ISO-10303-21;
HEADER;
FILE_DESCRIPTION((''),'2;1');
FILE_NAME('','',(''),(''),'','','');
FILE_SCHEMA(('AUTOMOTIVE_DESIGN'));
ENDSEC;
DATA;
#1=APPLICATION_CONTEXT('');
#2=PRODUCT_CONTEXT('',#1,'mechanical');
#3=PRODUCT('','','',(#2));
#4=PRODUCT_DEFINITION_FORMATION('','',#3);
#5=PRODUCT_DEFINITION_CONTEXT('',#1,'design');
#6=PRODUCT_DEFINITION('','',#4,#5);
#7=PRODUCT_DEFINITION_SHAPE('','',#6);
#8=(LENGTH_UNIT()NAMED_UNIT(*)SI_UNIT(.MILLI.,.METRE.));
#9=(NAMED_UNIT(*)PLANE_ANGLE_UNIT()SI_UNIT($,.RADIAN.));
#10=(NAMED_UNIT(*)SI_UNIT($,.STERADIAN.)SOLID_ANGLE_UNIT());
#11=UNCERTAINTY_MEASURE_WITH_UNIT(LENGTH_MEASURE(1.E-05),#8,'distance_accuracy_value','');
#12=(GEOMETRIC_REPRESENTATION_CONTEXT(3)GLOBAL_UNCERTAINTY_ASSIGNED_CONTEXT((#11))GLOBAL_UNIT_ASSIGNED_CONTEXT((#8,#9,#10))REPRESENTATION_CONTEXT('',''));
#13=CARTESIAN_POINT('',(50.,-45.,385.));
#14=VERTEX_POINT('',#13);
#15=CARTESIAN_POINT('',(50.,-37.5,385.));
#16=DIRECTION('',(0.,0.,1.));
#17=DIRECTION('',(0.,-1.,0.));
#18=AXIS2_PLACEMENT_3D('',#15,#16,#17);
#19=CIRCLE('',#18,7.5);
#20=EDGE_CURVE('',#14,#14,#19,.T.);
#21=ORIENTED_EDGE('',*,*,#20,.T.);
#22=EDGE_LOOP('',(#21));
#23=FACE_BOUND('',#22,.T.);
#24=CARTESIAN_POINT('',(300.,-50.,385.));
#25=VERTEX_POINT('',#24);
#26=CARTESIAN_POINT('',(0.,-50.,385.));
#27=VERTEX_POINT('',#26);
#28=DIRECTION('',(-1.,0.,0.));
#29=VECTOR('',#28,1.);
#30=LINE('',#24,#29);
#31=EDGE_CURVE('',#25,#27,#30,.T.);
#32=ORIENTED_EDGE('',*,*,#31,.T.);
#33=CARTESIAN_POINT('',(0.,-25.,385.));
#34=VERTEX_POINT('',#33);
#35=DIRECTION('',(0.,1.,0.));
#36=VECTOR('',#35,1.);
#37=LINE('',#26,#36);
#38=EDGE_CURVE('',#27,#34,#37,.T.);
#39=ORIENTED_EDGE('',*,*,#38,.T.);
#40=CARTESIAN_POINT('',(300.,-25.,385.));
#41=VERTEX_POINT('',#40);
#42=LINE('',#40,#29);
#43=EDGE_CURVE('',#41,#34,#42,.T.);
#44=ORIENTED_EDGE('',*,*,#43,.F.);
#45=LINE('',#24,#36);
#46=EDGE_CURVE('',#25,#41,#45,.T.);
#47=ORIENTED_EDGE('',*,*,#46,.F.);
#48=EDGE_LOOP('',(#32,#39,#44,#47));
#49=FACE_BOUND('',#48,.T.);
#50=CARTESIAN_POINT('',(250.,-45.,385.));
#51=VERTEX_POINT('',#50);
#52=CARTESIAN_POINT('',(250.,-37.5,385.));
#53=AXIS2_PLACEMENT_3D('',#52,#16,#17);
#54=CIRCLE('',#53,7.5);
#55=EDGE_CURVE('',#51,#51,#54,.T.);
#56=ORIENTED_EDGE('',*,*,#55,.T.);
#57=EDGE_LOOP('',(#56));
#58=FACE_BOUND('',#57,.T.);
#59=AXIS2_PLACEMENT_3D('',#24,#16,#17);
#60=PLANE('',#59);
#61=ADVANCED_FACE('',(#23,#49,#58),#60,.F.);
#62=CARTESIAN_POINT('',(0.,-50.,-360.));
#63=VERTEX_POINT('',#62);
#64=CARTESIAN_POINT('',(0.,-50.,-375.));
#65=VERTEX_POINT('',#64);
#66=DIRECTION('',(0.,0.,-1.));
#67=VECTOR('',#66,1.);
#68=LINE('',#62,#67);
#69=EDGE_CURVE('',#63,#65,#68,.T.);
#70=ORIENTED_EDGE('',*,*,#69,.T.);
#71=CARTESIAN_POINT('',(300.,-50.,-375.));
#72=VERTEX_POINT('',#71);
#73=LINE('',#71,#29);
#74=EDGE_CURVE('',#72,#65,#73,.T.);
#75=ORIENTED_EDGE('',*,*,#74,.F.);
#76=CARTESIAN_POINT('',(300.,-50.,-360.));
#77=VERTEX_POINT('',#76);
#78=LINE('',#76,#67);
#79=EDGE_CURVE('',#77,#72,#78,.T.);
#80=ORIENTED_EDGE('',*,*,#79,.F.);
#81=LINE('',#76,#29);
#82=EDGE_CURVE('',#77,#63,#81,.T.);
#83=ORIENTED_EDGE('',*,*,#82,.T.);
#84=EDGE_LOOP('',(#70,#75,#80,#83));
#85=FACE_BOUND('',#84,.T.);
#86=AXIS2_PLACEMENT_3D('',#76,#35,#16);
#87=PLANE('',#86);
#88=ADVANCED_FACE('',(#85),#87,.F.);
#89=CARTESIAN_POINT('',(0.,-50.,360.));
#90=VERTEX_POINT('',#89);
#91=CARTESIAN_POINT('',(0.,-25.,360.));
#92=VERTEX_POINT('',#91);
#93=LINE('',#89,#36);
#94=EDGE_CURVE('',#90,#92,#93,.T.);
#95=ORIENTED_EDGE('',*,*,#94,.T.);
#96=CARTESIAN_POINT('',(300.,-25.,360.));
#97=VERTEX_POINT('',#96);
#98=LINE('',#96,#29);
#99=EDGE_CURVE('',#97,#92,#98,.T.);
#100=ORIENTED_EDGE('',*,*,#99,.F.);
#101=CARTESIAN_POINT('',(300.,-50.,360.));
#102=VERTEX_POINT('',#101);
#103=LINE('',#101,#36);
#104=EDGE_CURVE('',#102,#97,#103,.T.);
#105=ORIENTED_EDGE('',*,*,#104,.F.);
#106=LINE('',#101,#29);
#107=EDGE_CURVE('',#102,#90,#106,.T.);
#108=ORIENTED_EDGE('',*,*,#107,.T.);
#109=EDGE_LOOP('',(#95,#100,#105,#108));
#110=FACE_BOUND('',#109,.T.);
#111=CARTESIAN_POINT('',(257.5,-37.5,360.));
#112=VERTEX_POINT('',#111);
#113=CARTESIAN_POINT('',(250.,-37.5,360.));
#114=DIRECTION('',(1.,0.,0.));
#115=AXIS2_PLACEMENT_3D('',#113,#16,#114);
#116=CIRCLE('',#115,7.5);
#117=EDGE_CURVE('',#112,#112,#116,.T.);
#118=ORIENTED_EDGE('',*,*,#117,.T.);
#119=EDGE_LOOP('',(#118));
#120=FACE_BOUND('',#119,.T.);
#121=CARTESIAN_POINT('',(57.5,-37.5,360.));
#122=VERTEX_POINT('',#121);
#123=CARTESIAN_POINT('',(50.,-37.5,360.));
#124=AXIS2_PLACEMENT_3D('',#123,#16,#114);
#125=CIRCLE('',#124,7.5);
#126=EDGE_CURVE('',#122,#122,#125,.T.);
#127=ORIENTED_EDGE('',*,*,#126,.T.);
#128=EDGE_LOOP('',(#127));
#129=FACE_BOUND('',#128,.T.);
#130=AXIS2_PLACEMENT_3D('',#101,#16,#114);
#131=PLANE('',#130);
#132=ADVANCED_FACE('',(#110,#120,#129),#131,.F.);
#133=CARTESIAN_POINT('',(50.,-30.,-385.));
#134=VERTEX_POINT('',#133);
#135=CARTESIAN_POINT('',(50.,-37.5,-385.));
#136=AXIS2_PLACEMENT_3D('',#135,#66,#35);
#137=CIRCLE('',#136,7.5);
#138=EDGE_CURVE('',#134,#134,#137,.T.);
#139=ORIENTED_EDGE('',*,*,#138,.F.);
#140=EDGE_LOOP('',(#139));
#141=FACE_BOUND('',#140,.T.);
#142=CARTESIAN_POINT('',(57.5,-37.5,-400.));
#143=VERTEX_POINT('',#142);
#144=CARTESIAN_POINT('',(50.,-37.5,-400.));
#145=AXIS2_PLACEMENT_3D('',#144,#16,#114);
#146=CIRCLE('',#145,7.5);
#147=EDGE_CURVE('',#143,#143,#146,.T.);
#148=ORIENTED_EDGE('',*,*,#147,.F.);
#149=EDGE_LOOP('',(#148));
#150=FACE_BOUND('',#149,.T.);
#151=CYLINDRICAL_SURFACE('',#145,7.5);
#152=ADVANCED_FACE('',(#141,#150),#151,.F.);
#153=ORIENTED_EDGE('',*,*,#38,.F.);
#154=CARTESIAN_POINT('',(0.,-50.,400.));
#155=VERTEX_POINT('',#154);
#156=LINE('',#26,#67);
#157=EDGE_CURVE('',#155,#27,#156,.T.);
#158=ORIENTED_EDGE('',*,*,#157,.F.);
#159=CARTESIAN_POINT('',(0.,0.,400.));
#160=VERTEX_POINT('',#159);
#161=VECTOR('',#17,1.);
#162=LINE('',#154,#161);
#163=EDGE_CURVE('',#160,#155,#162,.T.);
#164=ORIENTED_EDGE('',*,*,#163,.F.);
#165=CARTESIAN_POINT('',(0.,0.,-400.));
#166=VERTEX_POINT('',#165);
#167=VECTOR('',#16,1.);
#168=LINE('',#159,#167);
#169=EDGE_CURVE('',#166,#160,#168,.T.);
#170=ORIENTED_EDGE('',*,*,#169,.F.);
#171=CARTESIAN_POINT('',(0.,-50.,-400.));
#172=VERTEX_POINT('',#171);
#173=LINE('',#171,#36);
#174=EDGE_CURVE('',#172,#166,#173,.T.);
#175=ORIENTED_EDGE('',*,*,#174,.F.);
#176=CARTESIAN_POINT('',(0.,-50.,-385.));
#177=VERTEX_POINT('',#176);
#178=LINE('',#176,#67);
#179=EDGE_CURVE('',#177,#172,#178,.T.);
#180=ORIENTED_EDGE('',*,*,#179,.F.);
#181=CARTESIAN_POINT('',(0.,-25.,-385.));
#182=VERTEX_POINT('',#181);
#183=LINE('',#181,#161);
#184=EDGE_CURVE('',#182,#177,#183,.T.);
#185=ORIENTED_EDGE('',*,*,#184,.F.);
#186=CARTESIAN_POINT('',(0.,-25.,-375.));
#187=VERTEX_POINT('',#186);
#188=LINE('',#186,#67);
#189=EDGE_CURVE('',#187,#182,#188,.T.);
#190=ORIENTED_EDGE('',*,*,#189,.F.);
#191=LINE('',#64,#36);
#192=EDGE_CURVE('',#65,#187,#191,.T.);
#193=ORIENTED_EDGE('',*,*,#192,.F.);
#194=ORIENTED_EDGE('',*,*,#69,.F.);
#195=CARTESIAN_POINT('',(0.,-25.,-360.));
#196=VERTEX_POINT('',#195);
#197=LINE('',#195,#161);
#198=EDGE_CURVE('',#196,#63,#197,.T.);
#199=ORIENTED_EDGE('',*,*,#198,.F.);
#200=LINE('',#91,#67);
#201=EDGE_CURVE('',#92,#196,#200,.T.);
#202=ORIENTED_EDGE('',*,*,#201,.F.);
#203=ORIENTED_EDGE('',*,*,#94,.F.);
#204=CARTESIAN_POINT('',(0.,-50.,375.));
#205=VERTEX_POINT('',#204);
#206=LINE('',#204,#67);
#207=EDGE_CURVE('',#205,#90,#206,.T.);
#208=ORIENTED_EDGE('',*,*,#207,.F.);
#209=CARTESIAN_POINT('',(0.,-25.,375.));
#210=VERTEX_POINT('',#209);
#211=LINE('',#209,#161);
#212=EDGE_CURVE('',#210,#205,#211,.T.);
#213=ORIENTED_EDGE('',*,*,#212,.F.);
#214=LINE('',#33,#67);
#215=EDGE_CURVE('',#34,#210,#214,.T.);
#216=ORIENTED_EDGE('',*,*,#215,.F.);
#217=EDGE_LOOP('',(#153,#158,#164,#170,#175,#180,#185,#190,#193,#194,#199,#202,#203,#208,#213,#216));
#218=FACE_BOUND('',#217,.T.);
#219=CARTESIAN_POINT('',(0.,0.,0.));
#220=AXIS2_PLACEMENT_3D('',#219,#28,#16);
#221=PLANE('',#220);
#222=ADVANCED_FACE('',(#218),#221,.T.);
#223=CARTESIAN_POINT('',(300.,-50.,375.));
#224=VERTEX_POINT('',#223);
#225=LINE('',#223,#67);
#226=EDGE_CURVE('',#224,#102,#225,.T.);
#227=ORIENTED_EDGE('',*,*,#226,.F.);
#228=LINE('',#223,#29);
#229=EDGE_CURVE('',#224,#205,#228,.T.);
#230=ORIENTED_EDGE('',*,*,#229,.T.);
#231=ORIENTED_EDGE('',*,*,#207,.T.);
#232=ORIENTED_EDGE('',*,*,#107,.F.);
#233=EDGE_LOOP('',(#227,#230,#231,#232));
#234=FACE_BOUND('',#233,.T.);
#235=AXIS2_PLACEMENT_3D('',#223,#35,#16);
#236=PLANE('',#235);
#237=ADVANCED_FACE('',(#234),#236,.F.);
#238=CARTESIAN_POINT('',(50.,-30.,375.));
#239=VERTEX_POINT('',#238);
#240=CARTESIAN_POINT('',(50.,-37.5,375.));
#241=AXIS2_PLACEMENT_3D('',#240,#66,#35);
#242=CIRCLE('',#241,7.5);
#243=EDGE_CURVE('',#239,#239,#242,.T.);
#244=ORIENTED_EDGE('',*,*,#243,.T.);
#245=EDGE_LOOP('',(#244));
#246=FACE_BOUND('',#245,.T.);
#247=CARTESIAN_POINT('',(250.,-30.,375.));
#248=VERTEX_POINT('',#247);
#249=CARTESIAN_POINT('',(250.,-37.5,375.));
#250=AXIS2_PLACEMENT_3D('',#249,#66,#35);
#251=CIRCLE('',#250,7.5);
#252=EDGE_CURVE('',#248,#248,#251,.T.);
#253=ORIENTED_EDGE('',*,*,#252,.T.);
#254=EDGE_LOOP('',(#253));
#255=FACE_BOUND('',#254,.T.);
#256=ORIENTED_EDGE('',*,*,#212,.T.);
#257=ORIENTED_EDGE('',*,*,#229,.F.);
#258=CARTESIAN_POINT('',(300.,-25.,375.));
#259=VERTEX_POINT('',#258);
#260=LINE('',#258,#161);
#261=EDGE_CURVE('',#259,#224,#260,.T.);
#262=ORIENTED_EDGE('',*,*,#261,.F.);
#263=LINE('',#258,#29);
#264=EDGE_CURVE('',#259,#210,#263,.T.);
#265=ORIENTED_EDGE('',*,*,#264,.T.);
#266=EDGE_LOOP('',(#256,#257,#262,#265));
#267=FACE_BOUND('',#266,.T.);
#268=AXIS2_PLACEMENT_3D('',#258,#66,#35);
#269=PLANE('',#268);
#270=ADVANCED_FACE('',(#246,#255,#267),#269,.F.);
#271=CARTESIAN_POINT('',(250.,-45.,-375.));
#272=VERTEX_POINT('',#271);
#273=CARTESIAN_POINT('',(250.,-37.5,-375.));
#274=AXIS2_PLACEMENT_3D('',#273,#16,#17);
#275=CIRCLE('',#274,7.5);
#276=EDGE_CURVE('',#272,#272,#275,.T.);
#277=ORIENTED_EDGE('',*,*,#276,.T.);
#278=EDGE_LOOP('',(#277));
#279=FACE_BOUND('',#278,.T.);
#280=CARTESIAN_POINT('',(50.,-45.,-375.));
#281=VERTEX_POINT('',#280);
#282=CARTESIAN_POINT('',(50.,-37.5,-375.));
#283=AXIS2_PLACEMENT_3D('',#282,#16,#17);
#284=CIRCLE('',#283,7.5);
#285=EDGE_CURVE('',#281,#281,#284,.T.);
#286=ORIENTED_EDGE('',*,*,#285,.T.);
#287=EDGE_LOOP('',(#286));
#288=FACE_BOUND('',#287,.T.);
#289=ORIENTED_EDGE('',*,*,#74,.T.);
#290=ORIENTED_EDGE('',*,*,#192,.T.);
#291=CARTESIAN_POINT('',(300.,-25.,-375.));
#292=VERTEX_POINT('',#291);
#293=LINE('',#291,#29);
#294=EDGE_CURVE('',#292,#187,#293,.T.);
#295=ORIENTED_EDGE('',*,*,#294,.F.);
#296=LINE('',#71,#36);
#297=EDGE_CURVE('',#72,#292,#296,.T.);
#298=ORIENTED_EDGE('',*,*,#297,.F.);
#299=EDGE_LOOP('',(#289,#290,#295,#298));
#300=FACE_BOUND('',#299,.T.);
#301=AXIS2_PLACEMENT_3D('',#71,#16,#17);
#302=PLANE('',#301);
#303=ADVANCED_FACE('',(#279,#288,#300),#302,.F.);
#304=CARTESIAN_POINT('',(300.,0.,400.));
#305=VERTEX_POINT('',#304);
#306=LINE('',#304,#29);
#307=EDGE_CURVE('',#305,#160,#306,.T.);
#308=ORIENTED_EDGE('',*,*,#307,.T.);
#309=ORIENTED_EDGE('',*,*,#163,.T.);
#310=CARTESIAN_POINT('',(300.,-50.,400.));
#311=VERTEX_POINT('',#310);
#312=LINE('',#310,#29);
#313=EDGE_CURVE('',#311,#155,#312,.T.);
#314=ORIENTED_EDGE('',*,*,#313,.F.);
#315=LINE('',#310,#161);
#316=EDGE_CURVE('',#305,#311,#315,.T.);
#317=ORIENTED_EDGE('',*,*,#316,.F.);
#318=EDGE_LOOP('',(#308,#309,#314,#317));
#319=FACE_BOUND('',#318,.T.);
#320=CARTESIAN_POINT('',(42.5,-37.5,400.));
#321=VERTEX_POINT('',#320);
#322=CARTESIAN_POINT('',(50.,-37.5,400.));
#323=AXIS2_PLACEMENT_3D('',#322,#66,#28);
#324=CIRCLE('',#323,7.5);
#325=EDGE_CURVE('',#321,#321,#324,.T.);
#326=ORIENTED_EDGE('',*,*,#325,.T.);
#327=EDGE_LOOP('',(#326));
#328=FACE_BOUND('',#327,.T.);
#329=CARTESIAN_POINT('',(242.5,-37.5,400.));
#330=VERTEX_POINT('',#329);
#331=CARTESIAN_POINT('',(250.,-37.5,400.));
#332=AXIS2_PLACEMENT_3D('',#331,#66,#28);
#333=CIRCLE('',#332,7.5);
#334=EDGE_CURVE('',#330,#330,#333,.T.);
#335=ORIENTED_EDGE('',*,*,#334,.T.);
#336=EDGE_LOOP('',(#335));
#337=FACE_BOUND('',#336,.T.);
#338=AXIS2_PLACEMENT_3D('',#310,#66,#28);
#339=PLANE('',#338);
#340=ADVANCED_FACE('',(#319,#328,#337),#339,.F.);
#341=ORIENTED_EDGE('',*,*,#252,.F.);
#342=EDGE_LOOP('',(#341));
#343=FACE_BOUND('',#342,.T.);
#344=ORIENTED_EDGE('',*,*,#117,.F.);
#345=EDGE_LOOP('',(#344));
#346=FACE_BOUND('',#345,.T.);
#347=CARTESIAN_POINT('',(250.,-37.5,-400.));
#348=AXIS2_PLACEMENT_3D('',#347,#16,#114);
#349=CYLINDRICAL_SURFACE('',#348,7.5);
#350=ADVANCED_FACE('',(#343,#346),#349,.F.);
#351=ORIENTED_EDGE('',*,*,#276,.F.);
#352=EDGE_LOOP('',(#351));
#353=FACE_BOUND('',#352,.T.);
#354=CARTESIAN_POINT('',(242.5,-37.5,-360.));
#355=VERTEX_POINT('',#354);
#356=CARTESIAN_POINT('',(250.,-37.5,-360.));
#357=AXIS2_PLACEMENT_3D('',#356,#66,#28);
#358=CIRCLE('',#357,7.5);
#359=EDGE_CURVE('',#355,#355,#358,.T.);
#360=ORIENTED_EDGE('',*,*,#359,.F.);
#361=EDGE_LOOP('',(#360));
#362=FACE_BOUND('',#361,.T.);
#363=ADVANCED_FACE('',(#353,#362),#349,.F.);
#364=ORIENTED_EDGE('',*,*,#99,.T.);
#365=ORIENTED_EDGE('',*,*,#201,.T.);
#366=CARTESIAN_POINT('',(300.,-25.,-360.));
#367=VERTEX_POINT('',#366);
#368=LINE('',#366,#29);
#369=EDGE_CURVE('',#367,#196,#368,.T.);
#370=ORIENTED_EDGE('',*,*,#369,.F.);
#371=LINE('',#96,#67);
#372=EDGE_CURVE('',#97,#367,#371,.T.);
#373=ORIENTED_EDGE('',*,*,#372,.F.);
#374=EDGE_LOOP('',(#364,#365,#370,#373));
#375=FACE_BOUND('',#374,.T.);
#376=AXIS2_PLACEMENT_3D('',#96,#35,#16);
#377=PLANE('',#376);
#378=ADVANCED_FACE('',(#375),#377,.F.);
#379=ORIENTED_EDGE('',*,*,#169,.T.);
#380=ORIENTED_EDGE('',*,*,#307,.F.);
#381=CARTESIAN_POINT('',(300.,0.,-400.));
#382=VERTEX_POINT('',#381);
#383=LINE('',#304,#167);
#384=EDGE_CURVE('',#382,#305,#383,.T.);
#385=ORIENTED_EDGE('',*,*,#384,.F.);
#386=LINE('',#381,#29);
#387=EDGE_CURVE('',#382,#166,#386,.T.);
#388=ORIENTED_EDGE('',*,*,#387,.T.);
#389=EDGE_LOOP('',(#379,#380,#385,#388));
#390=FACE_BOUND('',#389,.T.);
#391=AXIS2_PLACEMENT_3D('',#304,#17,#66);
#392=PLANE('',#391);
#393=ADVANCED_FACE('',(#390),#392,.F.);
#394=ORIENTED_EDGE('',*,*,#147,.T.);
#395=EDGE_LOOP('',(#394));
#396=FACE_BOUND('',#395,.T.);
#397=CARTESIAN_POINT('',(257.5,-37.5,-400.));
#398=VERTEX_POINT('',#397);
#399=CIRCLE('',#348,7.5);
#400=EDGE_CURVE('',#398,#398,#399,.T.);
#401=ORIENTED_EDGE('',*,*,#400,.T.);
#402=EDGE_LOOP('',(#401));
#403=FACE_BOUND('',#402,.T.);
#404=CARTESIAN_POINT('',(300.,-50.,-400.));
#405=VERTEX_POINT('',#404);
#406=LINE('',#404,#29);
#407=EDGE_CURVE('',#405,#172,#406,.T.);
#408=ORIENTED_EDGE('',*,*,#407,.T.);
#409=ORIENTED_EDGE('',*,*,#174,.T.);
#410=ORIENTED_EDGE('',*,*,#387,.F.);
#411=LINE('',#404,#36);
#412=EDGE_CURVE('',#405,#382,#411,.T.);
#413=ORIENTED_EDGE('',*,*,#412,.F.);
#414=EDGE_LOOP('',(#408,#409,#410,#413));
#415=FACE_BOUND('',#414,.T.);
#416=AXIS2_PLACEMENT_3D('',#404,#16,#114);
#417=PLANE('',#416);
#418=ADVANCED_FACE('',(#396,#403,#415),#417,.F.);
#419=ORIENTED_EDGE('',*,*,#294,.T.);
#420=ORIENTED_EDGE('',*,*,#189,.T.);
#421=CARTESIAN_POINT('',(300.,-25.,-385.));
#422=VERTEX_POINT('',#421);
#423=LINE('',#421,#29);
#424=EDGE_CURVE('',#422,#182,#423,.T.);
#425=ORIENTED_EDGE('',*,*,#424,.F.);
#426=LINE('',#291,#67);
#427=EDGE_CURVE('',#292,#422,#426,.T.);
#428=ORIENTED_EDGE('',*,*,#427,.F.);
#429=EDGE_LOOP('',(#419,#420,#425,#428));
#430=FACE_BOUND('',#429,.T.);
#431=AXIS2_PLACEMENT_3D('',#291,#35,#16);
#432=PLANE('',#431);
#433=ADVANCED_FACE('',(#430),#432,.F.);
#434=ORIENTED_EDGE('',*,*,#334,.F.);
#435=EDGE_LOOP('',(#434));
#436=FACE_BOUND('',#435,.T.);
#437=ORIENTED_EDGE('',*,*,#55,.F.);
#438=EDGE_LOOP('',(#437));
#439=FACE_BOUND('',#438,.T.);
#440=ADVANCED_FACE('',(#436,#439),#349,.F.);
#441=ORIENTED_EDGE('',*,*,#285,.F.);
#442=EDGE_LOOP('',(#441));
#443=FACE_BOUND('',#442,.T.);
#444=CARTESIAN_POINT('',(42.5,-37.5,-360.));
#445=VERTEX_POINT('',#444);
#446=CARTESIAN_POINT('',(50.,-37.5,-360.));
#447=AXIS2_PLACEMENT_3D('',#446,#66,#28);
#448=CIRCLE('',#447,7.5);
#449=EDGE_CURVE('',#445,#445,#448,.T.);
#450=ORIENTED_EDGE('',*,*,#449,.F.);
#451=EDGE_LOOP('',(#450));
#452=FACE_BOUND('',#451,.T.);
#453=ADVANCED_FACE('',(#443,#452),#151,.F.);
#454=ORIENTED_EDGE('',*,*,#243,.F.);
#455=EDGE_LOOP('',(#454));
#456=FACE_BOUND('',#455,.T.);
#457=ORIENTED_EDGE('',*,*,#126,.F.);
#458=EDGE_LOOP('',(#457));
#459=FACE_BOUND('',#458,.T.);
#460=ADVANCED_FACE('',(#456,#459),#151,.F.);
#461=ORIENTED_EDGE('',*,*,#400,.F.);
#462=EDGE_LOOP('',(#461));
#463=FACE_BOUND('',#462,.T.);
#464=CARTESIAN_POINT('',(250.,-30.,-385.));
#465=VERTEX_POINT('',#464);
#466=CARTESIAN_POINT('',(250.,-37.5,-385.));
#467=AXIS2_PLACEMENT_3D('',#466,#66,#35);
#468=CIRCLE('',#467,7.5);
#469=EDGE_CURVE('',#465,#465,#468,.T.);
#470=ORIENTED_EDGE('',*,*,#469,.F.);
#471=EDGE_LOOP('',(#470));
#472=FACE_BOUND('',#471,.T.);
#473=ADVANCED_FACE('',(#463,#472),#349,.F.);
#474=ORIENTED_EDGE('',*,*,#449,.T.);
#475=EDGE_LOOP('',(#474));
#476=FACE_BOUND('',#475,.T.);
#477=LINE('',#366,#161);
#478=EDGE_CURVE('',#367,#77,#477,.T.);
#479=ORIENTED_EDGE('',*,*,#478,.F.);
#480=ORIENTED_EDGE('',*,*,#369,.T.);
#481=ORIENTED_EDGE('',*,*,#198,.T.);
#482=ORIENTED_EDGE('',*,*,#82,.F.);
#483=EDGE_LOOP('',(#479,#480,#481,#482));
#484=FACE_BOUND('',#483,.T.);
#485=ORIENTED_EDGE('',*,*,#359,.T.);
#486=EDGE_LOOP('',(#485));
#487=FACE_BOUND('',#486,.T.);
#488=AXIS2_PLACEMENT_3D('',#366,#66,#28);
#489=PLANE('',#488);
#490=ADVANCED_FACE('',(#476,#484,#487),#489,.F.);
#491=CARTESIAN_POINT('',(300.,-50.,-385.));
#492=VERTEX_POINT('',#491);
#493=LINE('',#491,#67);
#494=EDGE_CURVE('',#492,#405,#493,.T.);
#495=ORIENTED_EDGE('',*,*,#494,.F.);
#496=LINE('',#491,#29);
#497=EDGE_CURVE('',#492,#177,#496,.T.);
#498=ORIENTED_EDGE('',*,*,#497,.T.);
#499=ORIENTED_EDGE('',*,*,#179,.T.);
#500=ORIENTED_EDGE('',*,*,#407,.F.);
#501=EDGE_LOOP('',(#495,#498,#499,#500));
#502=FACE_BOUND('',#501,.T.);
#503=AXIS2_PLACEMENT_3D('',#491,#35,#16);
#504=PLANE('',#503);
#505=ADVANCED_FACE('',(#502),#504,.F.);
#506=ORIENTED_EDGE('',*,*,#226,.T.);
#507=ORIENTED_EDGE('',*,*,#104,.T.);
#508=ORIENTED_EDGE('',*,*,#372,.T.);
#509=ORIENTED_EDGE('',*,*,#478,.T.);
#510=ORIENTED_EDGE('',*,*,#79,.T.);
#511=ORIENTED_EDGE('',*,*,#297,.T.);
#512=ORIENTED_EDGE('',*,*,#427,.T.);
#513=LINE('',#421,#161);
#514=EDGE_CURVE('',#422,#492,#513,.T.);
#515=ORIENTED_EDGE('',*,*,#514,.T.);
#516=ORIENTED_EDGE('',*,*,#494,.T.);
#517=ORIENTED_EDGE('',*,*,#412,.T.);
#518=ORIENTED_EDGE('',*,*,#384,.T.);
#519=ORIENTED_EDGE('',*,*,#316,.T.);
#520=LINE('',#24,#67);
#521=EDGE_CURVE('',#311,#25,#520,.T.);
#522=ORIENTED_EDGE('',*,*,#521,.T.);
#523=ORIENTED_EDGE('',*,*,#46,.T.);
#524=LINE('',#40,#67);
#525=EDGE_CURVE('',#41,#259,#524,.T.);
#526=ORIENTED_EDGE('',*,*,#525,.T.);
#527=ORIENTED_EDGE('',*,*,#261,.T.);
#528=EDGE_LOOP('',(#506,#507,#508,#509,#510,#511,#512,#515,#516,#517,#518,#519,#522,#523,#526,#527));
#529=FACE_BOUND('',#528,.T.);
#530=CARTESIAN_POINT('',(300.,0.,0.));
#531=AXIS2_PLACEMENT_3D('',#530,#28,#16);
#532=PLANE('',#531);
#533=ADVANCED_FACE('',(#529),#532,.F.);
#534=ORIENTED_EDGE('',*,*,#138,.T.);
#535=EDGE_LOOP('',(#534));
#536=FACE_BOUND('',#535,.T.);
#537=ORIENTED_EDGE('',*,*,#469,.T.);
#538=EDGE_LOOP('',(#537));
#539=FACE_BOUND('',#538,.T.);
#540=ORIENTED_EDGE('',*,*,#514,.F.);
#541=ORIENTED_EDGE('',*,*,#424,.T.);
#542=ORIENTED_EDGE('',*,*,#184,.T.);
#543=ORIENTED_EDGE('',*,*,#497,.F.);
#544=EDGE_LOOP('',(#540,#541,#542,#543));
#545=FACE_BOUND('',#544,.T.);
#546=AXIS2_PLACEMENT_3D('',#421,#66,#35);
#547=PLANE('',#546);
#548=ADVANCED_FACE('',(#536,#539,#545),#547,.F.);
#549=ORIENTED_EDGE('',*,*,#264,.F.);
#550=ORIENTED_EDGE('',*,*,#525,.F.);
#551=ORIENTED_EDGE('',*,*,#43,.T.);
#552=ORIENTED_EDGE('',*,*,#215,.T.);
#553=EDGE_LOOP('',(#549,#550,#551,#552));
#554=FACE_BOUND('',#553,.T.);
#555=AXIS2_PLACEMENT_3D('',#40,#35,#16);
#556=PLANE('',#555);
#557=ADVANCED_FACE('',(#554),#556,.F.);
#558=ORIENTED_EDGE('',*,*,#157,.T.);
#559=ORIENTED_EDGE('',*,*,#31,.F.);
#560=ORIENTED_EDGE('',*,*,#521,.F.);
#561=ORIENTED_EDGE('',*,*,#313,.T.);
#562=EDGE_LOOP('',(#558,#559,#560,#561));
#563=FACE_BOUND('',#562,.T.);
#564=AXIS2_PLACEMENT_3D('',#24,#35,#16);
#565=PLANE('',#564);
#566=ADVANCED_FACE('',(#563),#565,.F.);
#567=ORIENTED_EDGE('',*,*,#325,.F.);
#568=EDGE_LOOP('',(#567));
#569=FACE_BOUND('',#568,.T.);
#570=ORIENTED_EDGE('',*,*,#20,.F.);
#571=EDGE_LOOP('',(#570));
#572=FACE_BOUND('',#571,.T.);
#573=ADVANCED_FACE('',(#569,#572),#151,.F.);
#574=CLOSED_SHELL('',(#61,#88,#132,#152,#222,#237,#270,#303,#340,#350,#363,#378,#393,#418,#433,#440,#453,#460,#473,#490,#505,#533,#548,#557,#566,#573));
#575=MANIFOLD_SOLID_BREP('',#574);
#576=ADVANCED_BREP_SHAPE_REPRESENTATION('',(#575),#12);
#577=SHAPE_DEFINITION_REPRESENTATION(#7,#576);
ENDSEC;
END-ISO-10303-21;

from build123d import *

# Parameters (mm, degrees)
BOSS_EXTRUDE1_DEPTH     = 300
CUT_EXTRUDE1_DEPTH      = 856.862138431
CUT_EXTRUDE1_DEPTH_BACK = 856.862138431
SKETCH2_R               = 7.5


with BuildPart() as part:
    # Sketch1 → Boss-Extrude1 (new body)
    with BuildSketch(Plane(origin=(0, 0, 0), x_dir=(0, 0, -1), z_dir=(1, 0, 0))):
        Polygon((-400, 0), (400, 0), (400, -50), (385, -50), (385, -25), (375, -25), (375, -50), (360, -50), (360, -25), (-360, -25), (-360, -50), (-375, -50), (-375, -25), (-385, -25), (-385, -50), (-400, -50), align=None)
    extrude(amount=BOSS_EXTRUDE1_DEPTH)

    # Sketch2 → Cut-Extrude1 (cut, two sides: drawn at the far end of the back side and taken through both)
    with BuildSketch(Plane.XY.offset(400).offset(-CUT_EXTRUDE1_DEPTH_BACK)):
        with Locations((50, -37.5)):
            Circle(SKETCH2_R)
        with Locations((250, -37.5)):
            Circle(SKETCH2_R)
    extrude(amount=CUT_EXTRUDE1_DEPTH + CUT_EXTRUDE1_DEPTH_BACK, mode=Mode.SUBTRACT)


solid = part.part
